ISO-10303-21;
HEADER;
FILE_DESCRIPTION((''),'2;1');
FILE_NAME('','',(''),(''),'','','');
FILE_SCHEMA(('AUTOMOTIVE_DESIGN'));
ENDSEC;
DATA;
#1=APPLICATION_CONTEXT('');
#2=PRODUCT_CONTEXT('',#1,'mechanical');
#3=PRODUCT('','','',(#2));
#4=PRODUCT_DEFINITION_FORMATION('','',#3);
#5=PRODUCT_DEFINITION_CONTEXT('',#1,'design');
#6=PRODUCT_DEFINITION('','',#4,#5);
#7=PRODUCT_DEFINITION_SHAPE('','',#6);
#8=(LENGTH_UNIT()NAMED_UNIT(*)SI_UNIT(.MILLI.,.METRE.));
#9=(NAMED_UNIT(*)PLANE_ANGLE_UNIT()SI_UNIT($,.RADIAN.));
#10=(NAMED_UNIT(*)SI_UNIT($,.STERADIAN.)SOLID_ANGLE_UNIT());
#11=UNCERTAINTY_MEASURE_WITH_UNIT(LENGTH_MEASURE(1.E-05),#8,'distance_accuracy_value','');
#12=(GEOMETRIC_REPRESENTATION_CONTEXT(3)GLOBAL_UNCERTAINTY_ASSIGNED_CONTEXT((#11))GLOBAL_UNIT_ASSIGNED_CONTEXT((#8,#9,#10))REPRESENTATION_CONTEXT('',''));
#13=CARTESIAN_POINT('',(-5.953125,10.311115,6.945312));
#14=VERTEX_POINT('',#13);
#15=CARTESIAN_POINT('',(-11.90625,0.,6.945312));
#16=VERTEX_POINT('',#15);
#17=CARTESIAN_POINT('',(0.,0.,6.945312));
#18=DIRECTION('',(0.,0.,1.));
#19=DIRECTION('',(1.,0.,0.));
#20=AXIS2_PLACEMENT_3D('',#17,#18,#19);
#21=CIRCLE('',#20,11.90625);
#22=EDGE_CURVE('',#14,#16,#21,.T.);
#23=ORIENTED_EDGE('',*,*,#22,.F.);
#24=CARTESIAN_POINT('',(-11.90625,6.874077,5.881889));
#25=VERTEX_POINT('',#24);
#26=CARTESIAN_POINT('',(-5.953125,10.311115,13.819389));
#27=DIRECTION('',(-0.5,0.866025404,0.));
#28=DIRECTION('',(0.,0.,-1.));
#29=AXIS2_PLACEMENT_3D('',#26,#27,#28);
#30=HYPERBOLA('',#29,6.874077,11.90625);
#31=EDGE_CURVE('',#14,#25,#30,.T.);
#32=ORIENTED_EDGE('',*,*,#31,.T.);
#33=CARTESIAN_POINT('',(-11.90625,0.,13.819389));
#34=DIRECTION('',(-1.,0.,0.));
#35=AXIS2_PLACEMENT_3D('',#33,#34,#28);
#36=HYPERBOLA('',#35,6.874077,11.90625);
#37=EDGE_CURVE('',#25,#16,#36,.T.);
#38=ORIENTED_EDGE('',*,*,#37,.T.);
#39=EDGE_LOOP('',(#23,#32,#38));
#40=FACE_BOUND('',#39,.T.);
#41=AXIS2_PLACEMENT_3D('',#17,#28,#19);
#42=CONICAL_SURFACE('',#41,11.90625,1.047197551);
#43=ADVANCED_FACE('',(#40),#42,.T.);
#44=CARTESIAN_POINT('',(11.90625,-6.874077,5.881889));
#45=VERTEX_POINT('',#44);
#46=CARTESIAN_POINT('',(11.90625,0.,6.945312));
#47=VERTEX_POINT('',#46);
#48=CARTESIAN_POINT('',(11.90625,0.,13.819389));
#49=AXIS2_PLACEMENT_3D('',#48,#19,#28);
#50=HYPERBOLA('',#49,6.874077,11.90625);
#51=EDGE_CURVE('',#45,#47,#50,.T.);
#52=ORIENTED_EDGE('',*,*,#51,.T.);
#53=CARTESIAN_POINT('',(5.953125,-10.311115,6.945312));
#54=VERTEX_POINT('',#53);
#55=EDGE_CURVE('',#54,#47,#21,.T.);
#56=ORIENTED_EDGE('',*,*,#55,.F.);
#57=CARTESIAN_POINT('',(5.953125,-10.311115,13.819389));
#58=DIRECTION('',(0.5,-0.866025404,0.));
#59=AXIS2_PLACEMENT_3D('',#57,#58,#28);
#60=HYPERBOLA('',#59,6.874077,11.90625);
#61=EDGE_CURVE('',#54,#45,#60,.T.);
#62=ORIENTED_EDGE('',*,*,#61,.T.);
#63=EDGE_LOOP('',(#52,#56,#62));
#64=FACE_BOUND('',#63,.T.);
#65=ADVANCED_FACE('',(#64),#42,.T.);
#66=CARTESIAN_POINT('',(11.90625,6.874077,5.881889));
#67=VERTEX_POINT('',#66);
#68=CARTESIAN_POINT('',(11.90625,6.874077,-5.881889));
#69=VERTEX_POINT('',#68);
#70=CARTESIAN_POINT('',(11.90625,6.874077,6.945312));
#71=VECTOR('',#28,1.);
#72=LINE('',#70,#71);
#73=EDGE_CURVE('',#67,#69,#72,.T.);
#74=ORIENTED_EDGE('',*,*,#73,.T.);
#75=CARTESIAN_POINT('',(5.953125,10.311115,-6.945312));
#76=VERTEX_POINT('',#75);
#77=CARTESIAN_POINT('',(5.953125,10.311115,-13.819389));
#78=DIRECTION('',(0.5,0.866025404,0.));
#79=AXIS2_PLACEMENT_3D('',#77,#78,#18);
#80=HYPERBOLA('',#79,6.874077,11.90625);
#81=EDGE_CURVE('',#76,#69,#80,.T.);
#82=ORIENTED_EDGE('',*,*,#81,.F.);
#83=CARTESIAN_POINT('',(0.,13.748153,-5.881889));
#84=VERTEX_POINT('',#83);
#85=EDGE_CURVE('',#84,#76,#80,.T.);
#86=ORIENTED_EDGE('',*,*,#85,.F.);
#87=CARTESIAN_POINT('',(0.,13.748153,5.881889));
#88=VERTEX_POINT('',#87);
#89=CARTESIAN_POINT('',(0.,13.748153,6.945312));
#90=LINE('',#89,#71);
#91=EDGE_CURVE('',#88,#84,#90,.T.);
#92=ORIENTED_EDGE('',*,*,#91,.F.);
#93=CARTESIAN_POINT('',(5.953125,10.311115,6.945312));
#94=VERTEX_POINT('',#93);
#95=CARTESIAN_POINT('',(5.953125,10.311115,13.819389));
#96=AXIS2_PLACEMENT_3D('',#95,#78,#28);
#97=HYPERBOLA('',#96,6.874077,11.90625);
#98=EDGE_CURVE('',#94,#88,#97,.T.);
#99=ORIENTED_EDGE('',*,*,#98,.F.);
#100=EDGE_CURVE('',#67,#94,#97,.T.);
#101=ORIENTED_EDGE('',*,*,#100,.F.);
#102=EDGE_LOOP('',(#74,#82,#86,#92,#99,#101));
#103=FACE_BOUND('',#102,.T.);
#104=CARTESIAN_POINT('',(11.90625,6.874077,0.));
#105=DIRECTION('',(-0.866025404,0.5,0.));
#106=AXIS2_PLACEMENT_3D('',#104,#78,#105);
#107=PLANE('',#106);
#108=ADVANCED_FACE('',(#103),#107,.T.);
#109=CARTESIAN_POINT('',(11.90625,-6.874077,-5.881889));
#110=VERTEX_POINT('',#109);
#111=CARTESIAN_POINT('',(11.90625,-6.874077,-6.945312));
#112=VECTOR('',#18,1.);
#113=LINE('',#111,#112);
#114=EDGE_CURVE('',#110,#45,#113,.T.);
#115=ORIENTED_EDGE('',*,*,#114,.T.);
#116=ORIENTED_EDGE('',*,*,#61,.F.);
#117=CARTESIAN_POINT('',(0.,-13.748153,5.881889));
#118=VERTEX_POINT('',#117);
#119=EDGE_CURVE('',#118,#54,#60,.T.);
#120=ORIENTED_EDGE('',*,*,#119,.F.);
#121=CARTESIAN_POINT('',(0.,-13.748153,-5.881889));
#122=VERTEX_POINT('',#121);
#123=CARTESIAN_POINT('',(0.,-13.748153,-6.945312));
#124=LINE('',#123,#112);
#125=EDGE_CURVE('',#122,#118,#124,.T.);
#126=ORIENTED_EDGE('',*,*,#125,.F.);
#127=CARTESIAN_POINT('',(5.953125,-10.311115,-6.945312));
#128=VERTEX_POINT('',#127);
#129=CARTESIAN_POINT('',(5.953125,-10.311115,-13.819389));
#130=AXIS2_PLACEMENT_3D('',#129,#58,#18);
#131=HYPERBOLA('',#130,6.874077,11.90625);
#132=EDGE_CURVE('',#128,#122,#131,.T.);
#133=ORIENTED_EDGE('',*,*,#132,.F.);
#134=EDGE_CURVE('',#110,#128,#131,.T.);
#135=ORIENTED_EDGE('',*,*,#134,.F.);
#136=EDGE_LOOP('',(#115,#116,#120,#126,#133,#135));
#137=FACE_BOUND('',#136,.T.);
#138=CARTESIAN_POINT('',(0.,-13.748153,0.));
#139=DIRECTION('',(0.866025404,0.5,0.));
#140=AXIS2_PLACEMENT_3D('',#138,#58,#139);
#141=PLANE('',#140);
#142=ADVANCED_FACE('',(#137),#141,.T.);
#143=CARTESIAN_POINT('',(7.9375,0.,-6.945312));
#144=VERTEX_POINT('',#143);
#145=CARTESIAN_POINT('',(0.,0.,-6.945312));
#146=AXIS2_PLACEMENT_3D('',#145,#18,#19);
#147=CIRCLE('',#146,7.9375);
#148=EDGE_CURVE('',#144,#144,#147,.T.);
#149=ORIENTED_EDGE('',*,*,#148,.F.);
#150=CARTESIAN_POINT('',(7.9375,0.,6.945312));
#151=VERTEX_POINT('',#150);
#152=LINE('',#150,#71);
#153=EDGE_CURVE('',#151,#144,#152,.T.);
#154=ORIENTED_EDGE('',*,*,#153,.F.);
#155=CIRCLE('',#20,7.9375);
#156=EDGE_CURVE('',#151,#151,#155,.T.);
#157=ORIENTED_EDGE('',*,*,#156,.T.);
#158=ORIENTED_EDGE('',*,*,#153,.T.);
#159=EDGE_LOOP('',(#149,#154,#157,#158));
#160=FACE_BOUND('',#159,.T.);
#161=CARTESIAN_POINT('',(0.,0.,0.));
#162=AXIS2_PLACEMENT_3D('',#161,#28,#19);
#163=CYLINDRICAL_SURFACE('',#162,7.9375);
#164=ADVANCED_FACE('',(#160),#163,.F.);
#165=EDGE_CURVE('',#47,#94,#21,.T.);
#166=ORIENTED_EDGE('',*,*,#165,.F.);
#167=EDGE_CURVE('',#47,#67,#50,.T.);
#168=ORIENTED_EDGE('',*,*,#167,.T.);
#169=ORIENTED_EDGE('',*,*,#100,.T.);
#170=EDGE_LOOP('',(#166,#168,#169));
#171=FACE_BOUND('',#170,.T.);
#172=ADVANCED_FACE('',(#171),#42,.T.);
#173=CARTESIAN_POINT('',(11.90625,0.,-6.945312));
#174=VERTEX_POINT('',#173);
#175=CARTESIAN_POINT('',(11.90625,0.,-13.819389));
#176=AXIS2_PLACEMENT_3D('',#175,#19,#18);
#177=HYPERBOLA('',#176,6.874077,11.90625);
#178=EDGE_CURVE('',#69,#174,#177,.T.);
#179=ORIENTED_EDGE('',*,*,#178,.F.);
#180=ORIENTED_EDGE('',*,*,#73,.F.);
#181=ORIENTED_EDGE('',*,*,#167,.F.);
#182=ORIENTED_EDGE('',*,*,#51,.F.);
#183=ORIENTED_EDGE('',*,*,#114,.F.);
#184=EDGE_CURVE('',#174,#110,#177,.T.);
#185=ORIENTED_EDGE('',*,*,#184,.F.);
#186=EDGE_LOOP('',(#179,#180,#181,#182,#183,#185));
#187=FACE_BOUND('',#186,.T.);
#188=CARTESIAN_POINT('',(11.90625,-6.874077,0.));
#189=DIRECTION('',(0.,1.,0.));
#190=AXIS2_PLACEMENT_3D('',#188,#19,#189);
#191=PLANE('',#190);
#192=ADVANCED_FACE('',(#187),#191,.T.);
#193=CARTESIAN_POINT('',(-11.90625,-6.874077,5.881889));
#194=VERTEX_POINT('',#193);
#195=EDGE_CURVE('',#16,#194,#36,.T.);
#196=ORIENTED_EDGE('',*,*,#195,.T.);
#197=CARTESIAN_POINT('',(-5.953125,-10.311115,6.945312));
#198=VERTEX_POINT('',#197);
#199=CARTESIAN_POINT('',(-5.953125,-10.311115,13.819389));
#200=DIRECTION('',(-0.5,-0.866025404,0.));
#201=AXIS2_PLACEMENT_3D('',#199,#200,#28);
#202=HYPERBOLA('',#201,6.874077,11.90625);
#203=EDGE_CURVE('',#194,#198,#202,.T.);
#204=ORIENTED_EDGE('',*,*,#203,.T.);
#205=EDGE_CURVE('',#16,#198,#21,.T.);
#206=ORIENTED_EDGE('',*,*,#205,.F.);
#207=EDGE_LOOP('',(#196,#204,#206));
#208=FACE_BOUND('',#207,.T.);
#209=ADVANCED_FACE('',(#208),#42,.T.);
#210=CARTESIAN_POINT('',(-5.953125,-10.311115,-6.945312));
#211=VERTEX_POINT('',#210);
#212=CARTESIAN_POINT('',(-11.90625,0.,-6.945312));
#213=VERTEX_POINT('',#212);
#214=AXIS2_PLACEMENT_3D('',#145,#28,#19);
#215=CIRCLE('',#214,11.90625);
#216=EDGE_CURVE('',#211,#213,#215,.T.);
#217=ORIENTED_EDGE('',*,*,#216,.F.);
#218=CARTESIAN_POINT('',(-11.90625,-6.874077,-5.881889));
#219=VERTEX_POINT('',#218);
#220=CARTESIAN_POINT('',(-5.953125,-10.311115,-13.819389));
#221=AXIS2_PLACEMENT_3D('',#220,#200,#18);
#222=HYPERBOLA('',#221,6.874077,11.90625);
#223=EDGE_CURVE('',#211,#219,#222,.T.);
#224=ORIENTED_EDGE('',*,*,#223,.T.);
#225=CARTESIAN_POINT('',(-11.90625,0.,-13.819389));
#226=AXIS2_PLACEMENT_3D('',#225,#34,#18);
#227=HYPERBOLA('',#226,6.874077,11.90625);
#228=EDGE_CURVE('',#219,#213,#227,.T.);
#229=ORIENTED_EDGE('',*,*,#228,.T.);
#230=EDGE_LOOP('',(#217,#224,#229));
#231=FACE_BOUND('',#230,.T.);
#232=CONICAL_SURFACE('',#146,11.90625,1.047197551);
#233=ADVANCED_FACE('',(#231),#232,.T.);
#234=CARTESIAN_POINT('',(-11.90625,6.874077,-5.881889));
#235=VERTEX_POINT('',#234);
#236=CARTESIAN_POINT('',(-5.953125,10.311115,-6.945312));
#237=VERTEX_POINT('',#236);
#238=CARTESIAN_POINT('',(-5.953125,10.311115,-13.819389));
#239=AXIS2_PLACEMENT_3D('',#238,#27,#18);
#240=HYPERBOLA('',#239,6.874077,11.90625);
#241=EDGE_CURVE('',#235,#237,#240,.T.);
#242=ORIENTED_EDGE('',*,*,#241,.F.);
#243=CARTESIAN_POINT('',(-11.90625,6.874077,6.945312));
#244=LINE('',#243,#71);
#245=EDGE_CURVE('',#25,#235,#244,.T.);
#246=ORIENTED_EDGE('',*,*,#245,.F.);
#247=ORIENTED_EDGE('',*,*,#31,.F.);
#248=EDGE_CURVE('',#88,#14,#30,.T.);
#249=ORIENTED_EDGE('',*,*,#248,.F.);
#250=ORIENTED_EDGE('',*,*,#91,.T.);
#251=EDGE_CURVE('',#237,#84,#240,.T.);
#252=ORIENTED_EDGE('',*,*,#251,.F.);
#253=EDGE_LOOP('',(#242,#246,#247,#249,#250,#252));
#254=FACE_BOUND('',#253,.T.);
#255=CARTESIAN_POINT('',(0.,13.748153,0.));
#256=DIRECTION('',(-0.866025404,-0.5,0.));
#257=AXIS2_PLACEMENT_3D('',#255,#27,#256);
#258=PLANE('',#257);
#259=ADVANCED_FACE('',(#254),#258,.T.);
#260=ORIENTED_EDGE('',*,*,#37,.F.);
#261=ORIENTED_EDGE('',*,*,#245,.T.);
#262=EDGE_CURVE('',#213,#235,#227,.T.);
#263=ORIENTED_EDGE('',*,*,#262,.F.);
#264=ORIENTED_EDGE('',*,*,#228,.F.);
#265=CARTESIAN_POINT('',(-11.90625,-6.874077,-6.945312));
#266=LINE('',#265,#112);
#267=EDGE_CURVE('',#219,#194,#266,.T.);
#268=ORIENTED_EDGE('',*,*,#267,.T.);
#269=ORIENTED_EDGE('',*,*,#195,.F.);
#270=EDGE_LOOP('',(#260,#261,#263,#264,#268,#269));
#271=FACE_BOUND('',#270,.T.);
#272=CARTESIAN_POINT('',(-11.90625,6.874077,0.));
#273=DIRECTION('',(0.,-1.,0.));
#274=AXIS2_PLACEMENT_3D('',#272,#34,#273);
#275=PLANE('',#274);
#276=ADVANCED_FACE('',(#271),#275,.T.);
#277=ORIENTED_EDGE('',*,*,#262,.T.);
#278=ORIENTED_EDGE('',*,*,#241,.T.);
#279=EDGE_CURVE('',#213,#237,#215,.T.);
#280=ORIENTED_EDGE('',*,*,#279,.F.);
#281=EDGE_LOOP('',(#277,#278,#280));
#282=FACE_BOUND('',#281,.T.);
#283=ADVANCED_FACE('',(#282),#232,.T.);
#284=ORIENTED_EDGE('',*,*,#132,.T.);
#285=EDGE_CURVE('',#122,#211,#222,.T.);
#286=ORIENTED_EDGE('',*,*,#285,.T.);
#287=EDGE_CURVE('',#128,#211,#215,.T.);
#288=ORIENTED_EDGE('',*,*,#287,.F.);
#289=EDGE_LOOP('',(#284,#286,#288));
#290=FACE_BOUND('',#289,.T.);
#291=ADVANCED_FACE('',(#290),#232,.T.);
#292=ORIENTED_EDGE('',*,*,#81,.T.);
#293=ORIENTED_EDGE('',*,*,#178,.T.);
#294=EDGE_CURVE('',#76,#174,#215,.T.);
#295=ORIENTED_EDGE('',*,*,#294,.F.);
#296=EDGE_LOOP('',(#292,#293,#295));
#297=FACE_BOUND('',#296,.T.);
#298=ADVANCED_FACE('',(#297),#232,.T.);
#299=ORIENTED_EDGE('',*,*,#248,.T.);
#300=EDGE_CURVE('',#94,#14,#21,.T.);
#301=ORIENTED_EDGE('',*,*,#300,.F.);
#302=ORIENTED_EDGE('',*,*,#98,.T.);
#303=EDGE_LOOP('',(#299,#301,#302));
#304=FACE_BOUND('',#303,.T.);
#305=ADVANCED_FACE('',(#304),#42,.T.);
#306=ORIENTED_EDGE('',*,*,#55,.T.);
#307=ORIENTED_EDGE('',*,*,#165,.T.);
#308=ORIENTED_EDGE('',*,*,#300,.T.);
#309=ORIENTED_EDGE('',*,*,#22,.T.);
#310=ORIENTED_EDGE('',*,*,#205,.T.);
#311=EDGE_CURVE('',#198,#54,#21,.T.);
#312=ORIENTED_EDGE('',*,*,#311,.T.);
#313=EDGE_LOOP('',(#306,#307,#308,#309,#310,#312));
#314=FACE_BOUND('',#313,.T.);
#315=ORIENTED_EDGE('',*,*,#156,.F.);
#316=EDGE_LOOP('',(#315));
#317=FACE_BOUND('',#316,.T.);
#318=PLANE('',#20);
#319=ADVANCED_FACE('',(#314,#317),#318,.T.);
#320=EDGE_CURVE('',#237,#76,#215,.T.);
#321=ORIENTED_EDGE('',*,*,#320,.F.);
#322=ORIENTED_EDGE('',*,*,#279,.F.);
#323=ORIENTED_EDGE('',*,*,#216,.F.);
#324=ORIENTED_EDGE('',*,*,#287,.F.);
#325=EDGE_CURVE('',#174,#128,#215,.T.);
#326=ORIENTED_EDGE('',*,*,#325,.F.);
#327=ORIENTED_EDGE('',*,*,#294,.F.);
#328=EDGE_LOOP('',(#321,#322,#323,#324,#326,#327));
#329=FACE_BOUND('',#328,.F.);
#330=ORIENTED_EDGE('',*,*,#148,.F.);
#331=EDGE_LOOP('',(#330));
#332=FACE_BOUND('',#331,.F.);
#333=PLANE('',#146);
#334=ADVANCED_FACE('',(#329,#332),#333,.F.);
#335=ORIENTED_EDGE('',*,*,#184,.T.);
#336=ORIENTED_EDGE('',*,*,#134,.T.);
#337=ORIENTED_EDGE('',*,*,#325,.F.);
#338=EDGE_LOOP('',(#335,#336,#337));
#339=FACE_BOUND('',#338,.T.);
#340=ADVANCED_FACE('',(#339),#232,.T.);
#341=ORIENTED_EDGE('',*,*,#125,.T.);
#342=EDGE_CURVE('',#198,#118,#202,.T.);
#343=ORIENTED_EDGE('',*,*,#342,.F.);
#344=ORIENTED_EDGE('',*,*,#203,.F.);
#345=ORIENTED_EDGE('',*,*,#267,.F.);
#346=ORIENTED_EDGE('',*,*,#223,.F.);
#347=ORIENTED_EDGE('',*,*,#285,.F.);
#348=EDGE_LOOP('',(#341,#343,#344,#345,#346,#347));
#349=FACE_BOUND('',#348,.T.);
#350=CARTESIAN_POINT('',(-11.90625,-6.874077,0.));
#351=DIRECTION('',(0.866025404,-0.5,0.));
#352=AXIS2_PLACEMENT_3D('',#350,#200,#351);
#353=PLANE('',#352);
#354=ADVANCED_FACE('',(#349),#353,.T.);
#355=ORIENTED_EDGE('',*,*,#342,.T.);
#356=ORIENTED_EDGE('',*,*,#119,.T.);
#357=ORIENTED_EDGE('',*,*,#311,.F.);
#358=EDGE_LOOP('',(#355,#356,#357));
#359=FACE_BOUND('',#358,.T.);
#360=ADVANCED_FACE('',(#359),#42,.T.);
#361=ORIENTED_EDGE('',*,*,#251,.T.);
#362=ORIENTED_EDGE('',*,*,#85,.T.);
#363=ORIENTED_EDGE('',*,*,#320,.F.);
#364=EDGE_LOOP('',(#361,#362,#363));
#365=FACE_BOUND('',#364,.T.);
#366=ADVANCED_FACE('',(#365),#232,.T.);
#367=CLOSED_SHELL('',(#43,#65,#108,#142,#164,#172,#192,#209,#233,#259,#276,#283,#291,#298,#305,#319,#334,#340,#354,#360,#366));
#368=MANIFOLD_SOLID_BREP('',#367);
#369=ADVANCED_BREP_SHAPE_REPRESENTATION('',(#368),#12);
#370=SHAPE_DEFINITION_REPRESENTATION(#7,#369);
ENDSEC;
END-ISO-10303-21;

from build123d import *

# Parameters (mm, degrees)
SKETCH1_R               = 7.9375
EXTRUDE1_DEPTH          = 6.9453125
SKETCH7_OUTSIDE_W       = 121.588
SKETCH7_OUTSIDE_H       = 125.272
SKETCH7_OUTSIDE_R       = 11.90625
EXTRUDE2_DEPTH          = 25.4
EXTRUDE2_DRAFT          = -60
MIRROR1_COPY_1_SKETCH_W = 121.588
MIRROR1_COPY_1_SKETCH_H = 125.272
MIRROR1_COPY_1_SKETCH_R = 11.90625
MIRROR1_COPY_1_DEPTH    = 25.4
MIRROR1_COPY_1_DRAFT    = -60


with BuildPart() as part:
    # Sketch1 → Extrude1 (new, symmetric)
    with BuildSketch(Plane.XY):
        Polygon((-11.90625, 6.874076643), (-11.90625, -6.874076643), (0, -13.748153285), (11.90625, -6.874076643), (11.90625, 6.874076643), (0, 13.748153285), align=None)
        Circle(SKETCH1_R, mode=Mode.SUBTRACT)
    extrude(amount=EXTRUDE1_DEPTH, both=True)


with BuildPart() as extrude2_tool:
    # Sketch7 outside → Extrude2 (with draft: the straight prism first)
    with BuildSketch(Plane.XY.offset(6.9453125)):
        Rectangle(SKETCH7_OUTSIDE_W, SKETCH7_OUTSIDE_H)
        Circle(SKETCH7_OUTSIDE_R, mode=Mode.SUBTRACT)
    extrude(amount=-EXTRUDE2_DEPTH)
    # Extrude2: the draft: its side faces are tilted about the plane it starts from
    extrude2_sides = [extrude2_tool.faces().sort_by_distance(p)[0] for p in [
        (0, -62.636, -5.7546875),
        (60.794, 0, -5.7546875),
        (0, 62.636, -5.7546875),
        (-60.794, 0, -5.7546875),
        (-11.90625, 0, -5.7546875),
    ]]
    draft(extrude2_sides, Plane.XY.offset(6.9453125), EXTRUDE2_DRAFT)


with BuildPart() as part_1:
    add(part.part)

    # Extrude2: cut by extrude2_tool
    add(extrude2_tool.part, mode=Mode.SUBTRACT)


with BuildPart() as mirror1_copy_1_tool:
    # Mirror1 copy 1 sketch → Mirror1 copy 1 (with draft: the straight prism first)
    with BuildSketch(Plane(origin=(0, 0, -6.9453125), x_dir=(1, 0, 0), z_dir=(0, 0, -1))):
        Rectangle(MIRROR1_COPY_1_SKETCH_W, MIRROR1_COPY_1_SKETCH_H)
        Circle(MIRROR1_COPY_1_SKETCH_R, mode=Mode.SUBTRACT)
    extrude(amount=-MIRROR1_COPY_1_DEPTH)
    # Mirror1 copy 1: the draft: its side faces are tilted about the plane it starts from
    mirror1_copy_1_sides = [mirror1_copy_1_tool.faces().sort_by_distance(p)[0] for p in [
        (0, -62.636, 5.7546875),
        (60.794, 0, 5.7546875),
        (0, 62.636, 5.7546875),
        (-60.794, 0, 5.7546875),
        (-11.90625, 0, 5.7546875),
    ]]
    draft(mirror1_copy_1_sides, Plane(origin=(0, 0, -6.9453125), x_dir=(1, 0, 0), z_dir=(0, 0, -1)), MIRROR1_COPY_1_DRAFT)


with BuildPart() as part_2:
    add(part_1.part)

    # Mirror1 copy 1: cut by mirror1_copy_1_tool
    add(mirror1_copy_1_tool.part, mode=Mode.SUBTRACT)


solid = part_2.part
